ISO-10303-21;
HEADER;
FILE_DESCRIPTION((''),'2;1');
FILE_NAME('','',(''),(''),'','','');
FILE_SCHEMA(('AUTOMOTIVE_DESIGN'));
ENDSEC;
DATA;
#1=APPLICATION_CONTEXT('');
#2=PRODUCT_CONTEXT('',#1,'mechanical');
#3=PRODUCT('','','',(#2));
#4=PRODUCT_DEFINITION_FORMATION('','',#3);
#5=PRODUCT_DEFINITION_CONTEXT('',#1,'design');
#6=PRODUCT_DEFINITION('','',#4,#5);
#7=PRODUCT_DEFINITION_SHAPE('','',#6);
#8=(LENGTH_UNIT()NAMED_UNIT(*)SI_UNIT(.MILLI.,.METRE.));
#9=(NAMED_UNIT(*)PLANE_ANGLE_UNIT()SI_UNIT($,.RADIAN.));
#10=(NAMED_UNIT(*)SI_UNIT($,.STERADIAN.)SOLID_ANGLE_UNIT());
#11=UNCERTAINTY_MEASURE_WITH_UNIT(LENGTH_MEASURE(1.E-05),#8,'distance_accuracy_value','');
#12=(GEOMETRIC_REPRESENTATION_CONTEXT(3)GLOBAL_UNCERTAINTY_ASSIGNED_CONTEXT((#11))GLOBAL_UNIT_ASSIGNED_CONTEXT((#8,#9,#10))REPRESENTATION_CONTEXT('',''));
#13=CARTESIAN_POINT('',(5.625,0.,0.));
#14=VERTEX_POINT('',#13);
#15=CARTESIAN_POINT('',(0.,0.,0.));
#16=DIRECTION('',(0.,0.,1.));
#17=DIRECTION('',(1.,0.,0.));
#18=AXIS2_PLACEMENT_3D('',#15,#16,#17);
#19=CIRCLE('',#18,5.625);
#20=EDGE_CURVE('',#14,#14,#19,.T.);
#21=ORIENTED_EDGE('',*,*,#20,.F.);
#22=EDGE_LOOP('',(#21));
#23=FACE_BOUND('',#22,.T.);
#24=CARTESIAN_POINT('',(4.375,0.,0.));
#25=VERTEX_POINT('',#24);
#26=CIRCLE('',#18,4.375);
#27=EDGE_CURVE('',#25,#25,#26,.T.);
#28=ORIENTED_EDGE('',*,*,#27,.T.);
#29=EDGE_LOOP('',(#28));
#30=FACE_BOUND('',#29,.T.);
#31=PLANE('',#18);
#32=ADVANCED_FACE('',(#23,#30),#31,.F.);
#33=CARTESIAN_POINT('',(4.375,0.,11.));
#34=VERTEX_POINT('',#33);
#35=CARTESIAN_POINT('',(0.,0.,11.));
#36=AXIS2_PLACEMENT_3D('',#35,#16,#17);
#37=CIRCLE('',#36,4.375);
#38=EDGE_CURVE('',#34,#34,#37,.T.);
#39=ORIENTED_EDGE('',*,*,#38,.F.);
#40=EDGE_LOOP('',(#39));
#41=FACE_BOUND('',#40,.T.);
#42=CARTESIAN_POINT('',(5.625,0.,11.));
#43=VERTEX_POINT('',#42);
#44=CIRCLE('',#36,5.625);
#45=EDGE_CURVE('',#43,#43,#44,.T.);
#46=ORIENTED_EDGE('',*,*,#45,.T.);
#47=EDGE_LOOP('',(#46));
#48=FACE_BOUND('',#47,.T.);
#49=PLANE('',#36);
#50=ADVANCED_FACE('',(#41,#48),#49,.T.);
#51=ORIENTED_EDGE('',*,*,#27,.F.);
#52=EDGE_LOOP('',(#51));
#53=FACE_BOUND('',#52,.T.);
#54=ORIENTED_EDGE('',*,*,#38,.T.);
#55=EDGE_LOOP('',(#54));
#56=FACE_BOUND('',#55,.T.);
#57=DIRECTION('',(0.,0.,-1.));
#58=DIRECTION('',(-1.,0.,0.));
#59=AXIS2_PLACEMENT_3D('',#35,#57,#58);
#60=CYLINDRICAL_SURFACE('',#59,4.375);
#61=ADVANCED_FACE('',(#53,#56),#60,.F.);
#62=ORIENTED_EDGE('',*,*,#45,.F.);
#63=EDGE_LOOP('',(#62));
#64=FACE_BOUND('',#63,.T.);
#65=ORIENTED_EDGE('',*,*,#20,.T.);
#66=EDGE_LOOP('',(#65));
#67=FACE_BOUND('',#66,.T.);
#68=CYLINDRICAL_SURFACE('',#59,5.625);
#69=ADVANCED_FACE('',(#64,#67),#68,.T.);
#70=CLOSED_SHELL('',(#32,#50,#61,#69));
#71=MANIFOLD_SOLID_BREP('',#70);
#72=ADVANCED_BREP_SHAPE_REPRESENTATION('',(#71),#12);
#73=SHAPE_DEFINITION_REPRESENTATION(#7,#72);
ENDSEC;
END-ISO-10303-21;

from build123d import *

# Parameters (mm, degrees)
ESQUISSE1_R      = 5.625
ESQUISSE1_R_2    = 4.375
EXTRUSION1_DEPTH = 11


with BuildPart() as part:
    # Esquisse1 → Extrusion1 (new body)
    with BuildSketch(Plane.XY):
        Circle(ESQUISSE1_R)
        Circle(ESQUISSE1_R_2, mode=Mode.SUBTRACT)
    extrude(amount=EXTRUSION1_DEPTH)


solid = part.part
